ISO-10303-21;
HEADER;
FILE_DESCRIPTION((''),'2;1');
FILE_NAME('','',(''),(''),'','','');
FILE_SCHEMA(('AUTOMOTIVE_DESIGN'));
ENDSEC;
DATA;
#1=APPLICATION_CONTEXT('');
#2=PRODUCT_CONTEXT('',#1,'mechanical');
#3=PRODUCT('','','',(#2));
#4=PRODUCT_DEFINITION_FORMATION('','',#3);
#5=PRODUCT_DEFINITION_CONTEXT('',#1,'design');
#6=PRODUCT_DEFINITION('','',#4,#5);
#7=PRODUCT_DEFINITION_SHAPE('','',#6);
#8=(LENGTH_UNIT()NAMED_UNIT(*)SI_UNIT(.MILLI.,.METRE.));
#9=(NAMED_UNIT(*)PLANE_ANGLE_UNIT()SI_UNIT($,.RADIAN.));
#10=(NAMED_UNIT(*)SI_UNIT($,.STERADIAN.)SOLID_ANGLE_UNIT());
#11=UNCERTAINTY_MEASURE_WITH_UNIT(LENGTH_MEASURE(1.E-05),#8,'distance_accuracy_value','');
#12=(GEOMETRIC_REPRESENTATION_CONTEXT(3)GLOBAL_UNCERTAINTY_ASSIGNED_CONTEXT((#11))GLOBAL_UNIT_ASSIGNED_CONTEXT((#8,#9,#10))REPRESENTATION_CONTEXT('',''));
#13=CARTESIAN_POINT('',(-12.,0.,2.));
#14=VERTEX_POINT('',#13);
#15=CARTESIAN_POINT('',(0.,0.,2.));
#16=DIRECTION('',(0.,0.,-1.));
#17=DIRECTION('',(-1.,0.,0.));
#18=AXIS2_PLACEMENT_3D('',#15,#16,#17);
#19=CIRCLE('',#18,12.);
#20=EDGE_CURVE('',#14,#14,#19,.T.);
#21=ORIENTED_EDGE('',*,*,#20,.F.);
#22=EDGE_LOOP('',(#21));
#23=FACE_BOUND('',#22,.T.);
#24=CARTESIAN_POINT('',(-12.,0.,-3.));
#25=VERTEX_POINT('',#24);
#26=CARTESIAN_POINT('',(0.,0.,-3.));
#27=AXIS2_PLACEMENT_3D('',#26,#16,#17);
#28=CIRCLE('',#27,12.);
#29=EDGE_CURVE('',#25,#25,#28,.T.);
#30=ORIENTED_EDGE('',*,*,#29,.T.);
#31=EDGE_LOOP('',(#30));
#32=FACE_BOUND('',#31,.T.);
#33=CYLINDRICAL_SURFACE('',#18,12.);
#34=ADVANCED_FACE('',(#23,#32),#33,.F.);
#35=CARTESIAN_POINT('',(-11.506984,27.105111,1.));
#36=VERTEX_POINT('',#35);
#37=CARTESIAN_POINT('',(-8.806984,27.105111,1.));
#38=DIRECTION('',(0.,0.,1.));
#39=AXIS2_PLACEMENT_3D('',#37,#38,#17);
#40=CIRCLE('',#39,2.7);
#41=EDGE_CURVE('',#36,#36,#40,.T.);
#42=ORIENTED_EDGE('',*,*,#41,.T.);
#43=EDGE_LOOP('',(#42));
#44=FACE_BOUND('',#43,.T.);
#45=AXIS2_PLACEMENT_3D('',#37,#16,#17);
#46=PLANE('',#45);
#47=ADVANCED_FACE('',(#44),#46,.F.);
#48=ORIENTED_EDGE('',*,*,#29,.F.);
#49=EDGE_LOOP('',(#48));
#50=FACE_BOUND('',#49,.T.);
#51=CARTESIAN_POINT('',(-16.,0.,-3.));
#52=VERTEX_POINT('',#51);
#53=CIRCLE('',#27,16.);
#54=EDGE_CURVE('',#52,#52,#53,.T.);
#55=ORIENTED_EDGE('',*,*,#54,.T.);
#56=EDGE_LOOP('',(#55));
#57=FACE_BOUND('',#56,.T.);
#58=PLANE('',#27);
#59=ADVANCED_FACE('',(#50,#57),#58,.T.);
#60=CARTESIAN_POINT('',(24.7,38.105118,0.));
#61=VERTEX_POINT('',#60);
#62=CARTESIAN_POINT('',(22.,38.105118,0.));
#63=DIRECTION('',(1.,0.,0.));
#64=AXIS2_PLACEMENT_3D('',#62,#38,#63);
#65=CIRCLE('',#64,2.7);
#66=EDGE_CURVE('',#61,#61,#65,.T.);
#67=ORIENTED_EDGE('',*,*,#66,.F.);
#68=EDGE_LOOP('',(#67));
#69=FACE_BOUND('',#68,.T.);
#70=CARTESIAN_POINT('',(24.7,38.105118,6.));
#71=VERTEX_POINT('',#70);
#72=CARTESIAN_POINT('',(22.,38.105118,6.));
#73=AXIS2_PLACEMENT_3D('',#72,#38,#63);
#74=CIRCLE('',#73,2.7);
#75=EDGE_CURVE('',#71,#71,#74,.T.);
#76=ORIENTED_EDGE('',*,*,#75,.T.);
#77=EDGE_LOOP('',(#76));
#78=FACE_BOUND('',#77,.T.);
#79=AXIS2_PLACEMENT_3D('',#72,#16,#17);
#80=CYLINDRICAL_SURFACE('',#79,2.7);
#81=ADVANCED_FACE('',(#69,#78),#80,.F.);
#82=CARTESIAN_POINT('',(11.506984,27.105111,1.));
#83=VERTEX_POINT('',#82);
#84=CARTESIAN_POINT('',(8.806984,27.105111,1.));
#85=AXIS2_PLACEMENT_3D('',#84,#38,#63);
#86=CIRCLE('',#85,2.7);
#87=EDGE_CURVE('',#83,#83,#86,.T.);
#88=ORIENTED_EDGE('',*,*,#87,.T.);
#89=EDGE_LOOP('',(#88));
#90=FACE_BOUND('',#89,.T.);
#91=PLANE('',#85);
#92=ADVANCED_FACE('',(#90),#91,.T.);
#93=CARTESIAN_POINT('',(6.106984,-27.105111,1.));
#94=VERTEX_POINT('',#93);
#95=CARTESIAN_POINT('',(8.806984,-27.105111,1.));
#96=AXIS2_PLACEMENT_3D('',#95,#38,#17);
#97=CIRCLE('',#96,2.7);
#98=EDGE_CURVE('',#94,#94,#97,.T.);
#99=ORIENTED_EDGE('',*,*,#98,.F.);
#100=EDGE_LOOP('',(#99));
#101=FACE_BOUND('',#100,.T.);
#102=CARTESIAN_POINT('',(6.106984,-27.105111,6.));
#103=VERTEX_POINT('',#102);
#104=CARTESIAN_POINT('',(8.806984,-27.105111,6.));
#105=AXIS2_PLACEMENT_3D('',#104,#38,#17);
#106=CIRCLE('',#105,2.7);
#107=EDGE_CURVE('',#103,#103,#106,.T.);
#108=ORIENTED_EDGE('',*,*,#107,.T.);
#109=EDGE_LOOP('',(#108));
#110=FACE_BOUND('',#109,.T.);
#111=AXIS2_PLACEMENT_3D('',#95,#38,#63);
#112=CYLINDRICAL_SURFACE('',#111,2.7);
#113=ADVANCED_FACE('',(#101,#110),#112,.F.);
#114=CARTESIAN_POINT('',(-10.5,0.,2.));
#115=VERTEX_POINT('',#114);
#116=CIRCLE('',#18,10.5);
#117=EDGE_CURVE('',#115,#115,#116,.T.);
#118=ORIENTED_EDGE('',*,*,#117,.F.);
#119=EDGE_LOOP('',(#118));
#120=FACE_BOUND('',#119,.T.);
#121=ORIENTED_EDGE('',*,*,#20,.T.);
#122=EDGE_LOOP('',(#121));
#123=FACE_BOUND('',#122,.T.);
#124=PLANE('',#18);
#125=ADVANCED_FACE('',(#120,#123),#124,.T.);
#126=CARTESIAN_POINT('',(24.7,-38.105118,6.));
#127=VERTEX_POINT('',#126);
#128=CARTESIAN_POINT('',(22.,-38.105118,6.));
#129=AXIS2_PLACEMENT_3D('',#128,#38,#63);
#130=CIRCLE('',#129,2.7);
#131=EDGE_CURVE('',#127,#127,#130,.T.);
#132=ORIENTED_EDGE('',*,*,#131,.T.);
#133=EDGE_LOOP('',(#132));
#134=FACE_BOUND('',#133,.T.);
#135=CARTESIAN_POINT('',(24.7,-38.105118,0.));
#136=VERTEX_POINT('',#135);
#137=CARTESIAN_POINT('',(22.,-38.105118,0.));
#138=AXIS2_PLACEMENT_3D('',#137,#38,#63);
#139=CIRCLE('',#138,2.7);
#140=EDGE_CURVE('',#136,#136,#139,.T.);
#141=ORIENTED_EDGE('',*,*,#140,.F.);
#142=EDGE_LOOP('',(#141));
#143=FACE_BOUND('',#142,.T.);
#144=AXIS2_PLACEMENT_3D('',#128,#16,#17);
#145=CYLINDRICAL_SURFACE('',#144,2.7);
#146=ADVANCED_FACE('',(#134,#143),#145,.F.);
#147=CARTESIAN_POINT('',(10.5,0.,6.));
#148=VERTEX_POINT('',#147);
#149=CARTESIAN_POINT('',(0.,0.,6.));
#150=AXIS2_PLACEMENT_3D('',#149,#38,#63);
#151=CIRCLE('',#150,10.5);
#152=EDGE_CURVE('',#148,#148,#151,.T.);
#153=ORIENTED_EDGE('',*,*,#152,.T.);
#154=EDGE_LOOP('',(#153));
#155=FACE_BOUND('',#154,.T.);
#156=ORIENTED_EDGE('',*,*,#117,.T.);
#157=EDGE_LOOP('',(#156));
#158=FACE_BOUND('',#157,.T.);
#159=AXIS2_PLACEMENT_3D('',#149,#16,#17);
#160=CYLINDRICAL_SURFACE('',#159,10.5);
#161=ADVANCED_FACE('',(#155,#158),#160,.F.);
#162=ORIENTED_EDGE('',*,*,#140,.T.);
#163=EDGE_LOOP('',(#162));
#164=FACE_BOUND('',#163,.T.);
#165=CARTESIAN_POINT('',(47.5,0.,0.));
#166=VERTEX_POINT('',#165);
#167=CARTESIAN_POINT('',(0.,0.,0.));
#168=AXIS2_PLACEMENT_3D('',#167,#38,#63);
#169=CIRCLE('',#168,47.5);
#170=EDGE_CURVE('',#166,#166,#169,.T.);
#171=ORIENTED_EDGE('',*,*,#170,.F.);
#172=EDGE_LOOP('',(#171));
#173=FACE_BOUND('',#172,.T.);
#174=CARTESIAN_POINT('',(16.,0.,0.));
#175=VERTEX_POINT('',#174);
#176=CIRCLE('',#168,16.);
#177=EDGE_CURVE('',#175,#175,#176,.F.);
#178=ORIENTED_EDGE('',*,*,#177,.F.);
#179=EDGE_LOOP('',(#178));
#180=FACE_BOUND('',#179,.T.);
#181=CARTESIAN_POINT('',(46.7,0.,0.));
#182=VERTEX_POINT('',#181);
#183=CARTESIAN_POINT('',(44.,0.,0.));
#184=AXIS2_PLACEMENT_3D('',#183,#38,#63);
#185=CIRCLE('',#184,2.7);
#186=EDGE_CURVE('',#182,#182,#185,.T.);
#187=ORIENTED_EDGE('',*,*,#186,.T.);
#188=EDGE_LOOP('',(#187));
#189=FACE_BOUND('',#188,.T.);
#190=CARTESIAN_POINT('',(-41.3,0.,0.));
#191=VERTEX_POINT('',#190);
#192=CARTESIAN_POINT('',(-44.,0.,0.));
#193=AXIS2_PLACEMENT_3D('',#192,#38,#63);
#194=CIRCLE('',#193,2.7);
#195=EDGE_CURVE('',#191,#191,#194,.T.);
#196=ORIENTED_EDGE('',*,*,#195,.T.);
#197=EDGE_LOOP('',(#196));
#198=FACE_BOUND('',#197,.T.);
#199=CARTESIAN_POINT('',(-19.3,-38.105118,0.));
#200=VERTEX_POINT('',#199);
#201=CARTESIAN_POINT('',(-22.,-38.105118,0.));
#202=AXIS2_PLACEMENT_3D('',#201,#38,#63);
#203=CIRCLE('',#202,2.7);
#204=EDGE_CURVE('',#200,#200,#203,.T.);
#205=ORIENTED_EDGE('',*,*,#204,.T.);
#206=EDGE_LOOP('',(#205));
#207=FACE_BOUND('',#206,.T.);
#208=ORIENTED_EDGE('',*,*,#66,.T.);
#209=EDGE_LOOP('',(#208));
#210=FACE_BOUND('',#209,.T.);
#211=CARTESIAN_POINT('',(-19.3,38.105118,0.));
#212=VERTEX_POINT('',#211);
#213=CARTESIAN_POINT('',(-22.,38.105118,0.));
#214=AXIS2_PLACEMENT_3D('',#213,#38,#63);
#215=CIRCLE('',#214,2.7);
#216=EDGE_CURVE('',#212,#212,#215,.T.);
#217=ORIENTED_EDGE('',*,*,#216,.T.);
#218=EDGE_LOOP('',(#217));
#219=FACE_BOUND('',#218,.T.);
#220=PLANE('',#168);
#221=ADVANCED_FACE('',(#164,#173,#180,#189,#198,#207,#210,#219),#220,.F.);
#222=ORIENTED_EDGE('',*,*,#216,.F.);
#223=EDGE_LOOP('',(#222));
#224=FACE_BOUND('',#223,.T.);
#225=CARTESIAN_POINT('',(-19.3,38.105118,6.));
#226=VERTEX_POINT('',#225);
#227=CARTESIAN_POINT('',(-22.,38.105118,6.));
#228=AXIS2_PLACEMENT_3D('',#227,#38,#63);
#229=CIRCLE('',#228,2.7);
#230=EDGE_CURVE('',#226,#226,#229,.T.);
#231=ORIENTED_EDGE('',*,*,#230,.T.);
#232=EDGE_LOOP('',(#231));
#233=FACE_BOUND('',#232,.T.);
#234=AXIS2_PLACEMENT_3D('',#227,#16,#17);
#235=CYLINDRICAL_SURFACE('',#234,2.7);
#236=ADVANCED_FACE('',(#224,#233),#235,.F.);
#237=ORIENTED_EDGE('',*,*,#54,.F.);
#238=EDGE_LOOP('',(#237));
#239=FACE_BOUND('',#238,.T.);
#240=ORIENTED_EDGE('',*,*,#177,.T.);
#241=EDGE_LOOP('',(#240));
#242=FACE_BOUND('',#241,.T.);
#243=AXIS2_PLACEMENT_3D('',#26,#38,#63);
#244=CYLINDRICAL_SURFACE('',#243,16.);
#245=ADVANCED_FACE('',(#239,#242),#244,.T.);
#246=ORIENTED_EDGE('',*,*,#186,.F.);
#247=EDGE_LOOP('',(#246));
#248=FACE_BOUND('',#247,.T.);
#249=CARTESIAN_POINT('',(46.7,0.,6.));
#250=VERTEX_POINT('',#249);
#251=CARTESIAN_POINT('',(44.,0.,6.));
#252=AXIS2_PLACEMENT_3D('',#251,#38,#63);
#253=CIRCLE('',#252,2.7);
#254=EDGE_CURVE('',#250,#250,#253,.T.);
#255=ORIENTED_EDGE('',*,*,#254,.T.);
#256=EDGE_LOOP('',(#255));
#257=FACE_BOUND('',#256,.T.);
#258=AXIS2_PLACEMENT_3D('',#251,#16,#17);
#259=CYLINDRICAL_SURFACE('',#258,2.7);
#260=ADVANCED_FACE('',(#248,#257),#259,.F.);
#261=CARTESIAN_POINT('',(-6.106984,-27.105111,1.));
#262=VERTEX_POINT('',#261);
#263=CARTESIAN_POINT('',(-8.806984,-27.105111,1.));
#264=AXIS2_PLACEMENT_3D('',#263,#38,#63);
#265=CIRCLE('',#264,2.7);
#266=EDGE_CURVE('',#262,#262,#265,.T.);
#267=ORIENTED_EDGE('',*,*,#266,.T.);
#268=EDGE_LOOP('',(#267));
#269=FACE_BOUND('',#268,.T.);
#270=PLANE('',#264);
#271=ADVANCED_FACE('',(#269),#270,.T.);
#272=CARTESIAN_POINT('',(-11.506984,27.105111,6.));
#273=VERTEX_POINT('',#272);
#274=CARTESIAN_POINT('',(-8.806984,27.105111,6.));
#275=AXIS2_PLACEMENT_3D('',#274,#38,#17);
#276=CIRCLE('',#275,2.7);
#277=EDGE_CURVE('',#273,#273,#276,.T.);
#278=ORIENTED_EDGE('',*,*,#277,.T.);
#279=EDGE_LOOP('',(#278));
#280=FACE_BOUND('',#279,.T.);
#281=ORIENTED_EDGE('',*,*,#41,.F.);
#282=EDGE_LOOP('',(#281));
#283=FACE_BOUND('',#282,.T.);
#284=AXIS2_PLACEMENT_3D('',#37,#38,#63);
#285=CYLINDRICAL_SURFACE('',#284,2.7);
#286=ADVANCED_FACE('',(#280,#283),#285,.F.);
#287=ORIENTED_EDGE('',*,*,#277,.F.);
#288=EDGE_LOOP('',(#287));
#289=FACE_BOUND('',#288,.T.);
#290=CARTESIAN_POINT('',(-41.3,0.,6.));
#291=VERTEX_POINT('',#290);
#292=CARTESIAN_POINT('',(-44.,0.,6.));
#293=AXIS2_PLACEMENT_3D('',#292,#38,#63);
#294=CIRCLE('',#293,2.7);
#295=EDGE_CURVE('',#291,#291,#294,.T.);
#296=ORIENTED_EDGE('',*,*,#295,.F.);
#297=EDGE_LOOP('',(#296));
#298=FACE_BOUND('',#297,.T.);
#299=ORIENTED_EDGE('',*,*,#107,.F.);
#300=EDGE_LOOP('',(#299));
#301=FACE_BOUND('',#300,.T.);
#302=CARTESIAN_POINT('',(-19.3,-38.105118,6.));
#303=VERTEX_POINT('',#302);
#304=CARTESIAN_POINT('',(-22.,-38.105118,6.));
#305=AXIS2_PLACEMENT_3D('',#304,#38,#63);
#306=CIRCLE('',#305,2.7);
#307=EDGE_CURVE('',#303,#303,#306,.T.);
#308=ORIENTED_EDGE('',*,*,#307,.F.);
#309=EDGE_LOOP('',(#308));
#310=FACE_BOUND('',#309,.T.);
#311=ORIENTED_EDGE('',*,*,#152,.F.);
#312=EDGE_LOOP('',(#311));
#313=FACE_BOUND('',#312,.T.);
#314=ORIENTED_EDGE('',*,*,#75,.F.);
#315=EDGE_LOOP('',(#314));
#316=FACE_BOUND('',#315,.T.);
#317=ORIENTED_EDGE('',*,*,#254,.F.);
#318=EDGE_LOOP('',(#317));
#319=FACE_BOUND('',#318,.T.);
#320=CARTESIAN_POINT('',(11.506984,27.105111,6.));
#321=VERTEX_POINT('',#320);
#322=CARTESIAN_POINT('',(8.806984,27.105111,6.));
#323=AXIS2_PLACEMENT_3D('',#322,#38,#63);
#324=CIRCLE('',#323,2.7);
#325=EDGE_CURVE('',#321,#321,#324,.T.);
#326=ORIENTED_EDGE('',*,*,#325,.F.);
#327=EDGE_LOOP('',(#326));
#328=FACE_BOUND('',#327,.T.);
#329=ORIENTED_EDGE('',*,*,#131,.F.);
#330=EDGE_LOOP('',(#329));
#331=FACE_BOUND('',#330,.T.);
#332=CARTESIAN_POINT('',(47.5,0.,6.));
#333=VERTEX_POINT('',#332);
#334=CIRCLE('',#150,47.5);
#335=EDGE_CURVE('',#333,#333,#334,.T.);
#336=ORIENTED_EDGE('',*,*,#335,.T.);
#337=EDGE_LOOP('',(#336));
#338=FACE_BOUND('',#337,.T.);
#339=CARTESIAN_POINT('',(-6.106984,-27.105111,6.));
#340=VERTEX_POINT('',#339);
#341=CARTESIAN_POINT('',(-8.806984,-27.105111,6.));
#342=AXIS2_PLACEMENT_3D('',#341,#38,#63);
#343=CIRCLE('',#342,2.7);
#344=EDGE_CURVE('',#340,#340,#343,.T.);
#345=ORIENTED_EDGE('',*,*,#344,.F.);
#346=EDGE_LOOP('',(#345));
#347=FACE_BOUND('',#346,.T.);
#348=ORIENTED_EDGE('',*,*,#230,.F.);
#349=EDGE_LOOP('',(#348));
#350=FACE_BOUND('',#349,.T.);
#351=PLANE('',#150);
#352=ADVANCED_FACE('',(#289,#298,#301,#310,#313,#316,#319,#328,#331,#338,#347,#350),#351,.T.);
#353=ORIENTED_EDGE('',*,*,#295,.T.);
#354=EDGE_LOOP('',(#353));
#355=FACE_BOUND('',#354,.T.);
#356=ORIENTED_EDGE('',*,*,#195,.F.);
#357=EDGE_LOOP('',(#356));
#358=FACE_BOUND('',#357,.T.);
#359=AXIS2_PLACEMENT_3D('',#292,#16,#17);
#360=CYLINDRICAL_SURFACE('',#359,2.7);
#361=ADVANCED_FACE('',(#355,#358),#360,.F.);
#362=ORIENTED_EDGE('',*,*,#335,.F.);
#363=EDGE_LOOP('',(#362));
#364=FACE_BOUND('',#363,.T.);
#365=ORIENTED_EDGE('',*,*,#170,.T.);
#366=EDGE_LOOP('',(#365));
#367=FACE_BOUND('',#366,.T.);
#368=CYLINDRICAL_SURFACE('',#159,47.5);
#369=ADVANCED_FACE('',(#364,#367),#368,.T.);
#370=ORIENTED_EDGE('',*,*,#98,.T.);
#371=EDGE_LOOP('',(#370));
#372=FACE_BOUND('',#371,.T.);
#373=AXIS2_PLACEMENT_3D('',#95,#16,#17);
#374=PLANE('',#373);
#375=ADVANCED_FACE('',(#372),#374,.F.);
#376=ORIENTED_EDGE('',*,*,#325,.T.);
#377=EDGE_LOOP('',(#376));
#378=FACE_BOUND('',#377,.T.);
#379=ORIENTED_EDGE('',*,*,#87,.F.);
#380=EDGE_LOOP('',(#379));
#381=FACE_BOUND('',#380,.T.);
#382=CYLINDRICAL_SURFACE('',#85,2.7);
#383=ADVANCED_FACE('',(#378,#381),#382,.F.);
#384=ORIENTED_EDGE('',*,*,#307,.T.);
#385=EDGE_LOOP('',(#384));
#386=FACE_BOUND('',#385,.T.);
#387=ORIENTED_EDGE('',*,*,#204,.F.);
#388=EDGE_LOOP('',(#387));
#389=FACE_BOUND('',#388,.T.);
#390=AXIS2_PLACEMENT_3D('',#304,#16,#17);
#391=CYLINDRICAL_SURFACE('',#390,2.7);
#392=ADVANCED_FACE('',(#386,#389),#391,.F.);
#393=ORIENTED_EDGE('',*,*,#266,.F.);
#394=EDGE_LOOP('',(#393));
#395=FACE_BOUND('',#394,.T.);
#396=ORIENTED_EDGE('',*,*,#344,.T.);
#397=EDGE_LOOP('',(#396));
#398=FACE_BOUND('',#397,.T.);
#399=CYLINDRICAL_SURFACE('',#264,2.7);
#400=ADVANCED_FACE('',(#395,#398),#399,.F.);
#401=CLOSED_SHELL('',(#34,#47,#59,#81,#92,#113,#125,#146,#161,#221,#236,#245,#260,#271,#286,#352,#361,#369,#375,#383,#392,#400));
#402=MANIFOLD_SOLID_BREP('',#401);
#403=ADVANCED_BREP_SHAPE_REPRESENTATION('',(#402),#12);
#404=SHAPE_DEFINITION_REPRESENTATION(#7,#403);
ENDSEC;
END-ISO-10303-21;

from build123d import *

# Parameters (mm, degrees)
SKETCH1_R           = 47.5
SKETCH1_R_2         = 10.5
SKETCH1_R_3         = 2.7
BOSS_EXTRUDE1_DEPTH = 6
SKETCH2_R           = 12
CUT_EXTRUDE1_DEPTH  = 2
BOSS_EXTRUDE2_START = 3
SKETCH3_R           = 16
SKETCH3_R_2         = 12
BOSS_EXTRUDE2_DEPTH = 3
SKETCH4_R           = 2.7
CUT_EXTRUDE2_DEPTH  = 5


with BuildPart() as part:
    # Sketch1 → Boss-Extrude1 (new body)
    with BuildSketch(Plane.XY):
        Circle(SKETCH1_R)
        Circle(SKETCH1_R_2, mode=Mode.SUBTRACT)
        with Locations((44, 0)):
            Circle(SKETCH1_R_3, mode=Mode.SUBTRACT)
        with Locations((22, -38.105117767)):
            Circle(SKETCH1_R_3, mode=Mode.SUBTRACT)
        with Locations((-22, -38.105117767)):
            Circle(SKETCH1_R_3, mode=Mode.SUBTRACT)
        with Locations((-44, 0)):
            Circle(SKETCH1_R_3, mode=Mode.SUBTRACT)
        with Locations((-22, 38.105117767)):
            Circle(SKETCH1_R_3, mode=Mode.SUBTRACT)
        with Locations((22, 38.105117767)):
            Circle(SKETCH1_R_3, mode=Mode.SUBTRACT)
    extrude(amount=BOSS_EXTRUDE1_DEPTH)

    # Sketch2 → Cut-Extrude1 (cut)
    with BuildSketch(Plane(origin=(0, 0, 0), x_dir=(-1, 0, 0), z_dir=(0, 0, -1))):
        Circle(SKETCH2_R)
    extrude(amount=-CUT_EXTRUDE1_DEPTH, mode=Mode.SUBTRACT)

    # Sketch3 → Boss-Extrude2 (add)
    with BuildSketch(Plane(origin=(0, 0, 0), x_dir=(-1, 0, 0), z_dir=(0, 0, -1)).offset(BOSS_EXTRUDE2_START)):
        with Locations(Location((0, 0, 0), (0, 0, 180))):
            Circle(SKETCH3_R)
        Circle(SKETCH3_R_2, mode=Mode.SUBTRACT)
    extrude(amount=-BOSS_EXTRUDE2_DEPTH)

    # Sketch4 → Cut-Extrude2 (cut)
    with BuildSketch(Plane.XY.offset(6)):
        with Locations((8.80698434, 27.105110714)):
            Circle(SKETCH4_R)
        with Locations(Location((-8.80698434, 27.105110714, 0), (0, 0, 180))):
            Circle(SKETCH4_R)
        with Locations(Location((8.80698434, -27.105110714, 0), (0, 0, 180))):
            Circle(SKETCH4_R)
        with Locations((-8.80698434, -27.105110714)):
            Circle(SKETCH4_R)
    extrude(amount=-CUT_EXTRUDE2_DEPTH, mode=Mode.SUBTRACT)


solid = part.part
